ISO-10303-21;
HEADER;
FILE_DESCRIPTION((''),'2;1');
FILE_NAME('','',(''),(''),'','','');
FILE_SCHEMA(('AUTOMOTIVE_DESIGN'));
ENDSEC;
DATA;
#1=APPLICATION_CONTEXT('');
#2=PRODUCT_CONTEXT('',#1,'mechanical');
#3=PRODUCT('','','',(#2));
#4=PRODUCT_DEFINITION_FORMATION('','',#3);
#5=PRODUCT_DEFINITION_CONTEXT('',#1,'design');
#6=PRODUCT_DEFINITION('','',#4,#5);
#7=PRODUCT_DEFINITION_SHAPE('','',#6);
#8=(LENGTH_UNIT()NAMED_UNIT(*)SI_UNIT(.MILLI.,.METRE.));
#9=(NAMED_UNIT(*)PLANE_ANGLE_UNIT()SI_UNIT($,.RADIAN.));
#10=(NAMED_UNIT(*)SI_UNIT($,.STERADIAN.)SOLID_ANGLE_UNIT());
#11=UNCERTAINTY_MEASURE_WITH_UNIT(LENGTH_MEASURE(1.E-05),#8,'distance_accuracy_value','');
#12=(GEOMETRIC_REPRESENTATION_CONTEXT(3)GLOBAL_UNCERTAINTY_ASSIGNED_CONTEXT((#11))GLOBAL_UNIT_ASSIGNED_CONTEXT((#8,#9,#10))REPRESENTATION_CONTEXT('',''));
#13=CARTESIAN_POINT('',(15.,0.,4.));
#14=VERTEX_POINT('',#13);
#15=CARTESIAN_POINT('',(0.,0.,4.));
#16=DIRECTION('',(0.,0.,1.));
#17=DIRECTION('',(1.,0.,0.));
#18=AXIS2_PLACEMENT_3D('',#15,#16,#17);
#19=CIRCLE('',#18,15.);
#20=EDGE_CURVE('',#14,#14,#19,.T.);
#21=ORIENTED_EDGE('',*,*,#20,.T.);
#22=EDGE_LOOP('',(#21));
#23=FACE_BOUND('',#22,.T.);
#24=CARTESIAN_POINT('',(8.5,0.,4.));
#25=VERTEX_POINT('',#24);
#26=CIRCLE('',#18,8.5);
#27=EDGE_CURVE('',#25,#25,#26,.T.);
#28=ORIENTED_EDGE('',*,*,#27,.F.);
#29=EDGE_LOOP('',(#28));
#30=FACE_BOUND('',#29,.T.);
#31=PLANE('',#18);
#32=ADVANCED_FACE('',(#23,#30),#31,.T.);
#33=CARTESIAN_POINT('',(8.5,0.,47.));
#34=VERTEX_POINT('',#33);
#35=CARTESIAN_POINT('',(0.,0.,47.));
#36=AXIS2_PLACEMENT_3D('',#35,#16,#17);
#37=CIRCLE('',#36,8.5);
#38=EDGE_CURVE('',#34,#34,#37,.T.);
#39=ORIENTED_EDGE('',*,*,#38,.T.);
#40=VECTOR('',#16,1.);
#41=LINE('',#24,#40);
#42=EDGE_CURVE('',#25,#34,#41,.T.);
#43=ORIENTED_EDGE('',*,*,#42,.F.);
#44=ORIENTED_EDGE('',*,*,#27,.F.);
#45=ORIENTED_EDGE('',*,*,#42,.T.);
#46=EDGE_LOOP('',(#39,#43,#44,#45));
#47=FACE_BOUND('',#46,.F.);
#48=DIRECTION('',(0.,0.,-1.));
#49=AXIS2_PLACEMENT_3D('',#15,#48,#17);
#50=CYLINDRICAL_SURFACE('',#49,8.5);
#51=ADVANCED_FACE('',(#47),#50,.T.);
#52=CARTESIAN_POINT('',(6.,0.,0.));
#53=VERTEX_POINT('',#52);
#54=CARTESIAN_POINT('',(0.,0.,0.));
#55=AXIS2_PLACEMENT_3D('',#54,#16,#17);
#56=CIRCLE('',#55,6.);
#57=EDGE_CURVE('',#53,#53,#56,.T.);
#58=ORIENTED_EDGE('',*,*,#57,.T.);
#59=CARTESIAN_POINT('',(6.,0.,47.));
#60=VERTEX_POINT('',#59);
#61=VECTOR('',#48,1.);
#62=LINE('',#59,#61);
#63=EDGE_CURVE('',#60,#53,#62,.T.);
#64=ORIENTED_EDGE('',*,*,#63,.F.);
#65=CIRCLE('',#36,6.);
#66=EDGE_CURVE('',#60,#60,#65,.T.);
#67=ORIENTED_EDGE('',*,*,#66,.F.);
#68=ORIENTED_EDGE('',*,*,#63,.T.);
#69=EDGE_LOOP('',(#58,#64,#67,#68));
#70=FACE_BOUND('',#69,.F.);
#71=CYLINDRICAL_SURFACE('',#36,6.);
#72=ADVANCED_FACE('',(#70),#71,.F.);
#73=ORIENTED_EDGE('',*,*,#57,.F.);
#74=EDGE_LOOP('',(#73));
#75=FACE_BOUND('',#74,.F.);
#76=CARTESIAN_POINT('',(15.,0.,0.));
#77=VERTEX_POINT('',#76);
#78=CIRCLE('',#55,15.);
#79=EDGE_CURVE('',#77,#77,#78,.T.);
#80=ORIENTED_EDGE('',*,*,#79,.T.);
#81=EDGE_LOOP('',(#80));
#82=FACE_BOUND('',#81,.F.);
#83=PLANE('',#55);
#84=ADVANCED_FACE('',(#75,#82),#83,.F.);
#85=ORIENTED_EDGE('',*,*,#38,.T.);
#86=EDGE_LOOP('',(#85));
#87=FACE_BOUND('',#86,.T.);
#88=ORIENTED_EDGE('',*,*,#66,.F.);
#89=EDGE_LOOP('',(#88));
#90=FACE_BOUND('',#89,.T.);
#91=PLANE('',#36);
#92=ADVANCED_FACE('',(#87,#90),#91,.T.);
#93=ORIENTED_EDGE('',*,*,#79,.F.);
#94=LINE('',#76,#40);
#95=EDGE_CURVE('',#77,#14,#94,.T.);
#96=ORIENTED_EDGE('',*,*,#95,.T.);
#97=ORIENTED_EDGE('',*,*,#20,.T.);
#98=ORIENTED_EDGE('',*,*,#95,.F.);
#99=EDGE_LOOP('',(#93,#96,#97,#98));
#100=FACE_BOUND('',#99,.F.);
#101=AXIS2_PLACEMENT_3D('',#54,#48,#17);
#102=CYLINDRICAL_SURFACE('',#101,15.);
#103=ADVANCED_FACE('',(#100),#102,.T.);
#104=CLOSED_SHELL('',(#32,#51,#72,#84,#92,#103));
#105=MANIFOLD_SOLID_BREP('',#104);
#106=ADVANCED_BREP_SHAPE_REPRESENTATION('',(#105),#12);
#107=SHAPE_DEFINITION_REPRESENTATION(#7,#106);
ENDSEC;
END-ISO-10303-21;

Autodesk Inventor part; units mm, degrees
ref_plane "YZ Plane" through (0, 0, 0) normal (1, 0, 0) x (0, 1, 0)
ref_plane "XZ Plane" through (0, 0, 0) normal (0, 1, 0) x (-1, 0, 0)
ref_plane "XY Plane" through (0, 0, 0) normal (0, 0, 1) x (1, 0, 0)
sketch "Boceto1" plane through (0, 0, 0) normal (0, 0, 1) x (1, 0, 0)
  circle A0 centre (0, 0) radius 15
  dimension "d0" = 30
extrude "Extrusión1" add sketch "Boceto1" along normal blind 4
sketch "Boceto2" plane through (0, 0, 4) normal (0, 0, 1) x (1, 0, 0)
  circle A0 centre (0, 0) radius 8.5
  dimension "d3" = 17
extrude "Extrusión2" add sketch "Boceto2" along normal blind 43
sketch "Boceto3" plane through (0, 0, 47) normal (0, 0, 1) x (1, 0, 0)
  circle A0 centre (0, 0) radius 6
  dimension "d6" = 12
extrude "Extrusión3" cut sketch "Boceto3" against normal through all
properties part number "wheel_bush" material "Acero inoxidable"
